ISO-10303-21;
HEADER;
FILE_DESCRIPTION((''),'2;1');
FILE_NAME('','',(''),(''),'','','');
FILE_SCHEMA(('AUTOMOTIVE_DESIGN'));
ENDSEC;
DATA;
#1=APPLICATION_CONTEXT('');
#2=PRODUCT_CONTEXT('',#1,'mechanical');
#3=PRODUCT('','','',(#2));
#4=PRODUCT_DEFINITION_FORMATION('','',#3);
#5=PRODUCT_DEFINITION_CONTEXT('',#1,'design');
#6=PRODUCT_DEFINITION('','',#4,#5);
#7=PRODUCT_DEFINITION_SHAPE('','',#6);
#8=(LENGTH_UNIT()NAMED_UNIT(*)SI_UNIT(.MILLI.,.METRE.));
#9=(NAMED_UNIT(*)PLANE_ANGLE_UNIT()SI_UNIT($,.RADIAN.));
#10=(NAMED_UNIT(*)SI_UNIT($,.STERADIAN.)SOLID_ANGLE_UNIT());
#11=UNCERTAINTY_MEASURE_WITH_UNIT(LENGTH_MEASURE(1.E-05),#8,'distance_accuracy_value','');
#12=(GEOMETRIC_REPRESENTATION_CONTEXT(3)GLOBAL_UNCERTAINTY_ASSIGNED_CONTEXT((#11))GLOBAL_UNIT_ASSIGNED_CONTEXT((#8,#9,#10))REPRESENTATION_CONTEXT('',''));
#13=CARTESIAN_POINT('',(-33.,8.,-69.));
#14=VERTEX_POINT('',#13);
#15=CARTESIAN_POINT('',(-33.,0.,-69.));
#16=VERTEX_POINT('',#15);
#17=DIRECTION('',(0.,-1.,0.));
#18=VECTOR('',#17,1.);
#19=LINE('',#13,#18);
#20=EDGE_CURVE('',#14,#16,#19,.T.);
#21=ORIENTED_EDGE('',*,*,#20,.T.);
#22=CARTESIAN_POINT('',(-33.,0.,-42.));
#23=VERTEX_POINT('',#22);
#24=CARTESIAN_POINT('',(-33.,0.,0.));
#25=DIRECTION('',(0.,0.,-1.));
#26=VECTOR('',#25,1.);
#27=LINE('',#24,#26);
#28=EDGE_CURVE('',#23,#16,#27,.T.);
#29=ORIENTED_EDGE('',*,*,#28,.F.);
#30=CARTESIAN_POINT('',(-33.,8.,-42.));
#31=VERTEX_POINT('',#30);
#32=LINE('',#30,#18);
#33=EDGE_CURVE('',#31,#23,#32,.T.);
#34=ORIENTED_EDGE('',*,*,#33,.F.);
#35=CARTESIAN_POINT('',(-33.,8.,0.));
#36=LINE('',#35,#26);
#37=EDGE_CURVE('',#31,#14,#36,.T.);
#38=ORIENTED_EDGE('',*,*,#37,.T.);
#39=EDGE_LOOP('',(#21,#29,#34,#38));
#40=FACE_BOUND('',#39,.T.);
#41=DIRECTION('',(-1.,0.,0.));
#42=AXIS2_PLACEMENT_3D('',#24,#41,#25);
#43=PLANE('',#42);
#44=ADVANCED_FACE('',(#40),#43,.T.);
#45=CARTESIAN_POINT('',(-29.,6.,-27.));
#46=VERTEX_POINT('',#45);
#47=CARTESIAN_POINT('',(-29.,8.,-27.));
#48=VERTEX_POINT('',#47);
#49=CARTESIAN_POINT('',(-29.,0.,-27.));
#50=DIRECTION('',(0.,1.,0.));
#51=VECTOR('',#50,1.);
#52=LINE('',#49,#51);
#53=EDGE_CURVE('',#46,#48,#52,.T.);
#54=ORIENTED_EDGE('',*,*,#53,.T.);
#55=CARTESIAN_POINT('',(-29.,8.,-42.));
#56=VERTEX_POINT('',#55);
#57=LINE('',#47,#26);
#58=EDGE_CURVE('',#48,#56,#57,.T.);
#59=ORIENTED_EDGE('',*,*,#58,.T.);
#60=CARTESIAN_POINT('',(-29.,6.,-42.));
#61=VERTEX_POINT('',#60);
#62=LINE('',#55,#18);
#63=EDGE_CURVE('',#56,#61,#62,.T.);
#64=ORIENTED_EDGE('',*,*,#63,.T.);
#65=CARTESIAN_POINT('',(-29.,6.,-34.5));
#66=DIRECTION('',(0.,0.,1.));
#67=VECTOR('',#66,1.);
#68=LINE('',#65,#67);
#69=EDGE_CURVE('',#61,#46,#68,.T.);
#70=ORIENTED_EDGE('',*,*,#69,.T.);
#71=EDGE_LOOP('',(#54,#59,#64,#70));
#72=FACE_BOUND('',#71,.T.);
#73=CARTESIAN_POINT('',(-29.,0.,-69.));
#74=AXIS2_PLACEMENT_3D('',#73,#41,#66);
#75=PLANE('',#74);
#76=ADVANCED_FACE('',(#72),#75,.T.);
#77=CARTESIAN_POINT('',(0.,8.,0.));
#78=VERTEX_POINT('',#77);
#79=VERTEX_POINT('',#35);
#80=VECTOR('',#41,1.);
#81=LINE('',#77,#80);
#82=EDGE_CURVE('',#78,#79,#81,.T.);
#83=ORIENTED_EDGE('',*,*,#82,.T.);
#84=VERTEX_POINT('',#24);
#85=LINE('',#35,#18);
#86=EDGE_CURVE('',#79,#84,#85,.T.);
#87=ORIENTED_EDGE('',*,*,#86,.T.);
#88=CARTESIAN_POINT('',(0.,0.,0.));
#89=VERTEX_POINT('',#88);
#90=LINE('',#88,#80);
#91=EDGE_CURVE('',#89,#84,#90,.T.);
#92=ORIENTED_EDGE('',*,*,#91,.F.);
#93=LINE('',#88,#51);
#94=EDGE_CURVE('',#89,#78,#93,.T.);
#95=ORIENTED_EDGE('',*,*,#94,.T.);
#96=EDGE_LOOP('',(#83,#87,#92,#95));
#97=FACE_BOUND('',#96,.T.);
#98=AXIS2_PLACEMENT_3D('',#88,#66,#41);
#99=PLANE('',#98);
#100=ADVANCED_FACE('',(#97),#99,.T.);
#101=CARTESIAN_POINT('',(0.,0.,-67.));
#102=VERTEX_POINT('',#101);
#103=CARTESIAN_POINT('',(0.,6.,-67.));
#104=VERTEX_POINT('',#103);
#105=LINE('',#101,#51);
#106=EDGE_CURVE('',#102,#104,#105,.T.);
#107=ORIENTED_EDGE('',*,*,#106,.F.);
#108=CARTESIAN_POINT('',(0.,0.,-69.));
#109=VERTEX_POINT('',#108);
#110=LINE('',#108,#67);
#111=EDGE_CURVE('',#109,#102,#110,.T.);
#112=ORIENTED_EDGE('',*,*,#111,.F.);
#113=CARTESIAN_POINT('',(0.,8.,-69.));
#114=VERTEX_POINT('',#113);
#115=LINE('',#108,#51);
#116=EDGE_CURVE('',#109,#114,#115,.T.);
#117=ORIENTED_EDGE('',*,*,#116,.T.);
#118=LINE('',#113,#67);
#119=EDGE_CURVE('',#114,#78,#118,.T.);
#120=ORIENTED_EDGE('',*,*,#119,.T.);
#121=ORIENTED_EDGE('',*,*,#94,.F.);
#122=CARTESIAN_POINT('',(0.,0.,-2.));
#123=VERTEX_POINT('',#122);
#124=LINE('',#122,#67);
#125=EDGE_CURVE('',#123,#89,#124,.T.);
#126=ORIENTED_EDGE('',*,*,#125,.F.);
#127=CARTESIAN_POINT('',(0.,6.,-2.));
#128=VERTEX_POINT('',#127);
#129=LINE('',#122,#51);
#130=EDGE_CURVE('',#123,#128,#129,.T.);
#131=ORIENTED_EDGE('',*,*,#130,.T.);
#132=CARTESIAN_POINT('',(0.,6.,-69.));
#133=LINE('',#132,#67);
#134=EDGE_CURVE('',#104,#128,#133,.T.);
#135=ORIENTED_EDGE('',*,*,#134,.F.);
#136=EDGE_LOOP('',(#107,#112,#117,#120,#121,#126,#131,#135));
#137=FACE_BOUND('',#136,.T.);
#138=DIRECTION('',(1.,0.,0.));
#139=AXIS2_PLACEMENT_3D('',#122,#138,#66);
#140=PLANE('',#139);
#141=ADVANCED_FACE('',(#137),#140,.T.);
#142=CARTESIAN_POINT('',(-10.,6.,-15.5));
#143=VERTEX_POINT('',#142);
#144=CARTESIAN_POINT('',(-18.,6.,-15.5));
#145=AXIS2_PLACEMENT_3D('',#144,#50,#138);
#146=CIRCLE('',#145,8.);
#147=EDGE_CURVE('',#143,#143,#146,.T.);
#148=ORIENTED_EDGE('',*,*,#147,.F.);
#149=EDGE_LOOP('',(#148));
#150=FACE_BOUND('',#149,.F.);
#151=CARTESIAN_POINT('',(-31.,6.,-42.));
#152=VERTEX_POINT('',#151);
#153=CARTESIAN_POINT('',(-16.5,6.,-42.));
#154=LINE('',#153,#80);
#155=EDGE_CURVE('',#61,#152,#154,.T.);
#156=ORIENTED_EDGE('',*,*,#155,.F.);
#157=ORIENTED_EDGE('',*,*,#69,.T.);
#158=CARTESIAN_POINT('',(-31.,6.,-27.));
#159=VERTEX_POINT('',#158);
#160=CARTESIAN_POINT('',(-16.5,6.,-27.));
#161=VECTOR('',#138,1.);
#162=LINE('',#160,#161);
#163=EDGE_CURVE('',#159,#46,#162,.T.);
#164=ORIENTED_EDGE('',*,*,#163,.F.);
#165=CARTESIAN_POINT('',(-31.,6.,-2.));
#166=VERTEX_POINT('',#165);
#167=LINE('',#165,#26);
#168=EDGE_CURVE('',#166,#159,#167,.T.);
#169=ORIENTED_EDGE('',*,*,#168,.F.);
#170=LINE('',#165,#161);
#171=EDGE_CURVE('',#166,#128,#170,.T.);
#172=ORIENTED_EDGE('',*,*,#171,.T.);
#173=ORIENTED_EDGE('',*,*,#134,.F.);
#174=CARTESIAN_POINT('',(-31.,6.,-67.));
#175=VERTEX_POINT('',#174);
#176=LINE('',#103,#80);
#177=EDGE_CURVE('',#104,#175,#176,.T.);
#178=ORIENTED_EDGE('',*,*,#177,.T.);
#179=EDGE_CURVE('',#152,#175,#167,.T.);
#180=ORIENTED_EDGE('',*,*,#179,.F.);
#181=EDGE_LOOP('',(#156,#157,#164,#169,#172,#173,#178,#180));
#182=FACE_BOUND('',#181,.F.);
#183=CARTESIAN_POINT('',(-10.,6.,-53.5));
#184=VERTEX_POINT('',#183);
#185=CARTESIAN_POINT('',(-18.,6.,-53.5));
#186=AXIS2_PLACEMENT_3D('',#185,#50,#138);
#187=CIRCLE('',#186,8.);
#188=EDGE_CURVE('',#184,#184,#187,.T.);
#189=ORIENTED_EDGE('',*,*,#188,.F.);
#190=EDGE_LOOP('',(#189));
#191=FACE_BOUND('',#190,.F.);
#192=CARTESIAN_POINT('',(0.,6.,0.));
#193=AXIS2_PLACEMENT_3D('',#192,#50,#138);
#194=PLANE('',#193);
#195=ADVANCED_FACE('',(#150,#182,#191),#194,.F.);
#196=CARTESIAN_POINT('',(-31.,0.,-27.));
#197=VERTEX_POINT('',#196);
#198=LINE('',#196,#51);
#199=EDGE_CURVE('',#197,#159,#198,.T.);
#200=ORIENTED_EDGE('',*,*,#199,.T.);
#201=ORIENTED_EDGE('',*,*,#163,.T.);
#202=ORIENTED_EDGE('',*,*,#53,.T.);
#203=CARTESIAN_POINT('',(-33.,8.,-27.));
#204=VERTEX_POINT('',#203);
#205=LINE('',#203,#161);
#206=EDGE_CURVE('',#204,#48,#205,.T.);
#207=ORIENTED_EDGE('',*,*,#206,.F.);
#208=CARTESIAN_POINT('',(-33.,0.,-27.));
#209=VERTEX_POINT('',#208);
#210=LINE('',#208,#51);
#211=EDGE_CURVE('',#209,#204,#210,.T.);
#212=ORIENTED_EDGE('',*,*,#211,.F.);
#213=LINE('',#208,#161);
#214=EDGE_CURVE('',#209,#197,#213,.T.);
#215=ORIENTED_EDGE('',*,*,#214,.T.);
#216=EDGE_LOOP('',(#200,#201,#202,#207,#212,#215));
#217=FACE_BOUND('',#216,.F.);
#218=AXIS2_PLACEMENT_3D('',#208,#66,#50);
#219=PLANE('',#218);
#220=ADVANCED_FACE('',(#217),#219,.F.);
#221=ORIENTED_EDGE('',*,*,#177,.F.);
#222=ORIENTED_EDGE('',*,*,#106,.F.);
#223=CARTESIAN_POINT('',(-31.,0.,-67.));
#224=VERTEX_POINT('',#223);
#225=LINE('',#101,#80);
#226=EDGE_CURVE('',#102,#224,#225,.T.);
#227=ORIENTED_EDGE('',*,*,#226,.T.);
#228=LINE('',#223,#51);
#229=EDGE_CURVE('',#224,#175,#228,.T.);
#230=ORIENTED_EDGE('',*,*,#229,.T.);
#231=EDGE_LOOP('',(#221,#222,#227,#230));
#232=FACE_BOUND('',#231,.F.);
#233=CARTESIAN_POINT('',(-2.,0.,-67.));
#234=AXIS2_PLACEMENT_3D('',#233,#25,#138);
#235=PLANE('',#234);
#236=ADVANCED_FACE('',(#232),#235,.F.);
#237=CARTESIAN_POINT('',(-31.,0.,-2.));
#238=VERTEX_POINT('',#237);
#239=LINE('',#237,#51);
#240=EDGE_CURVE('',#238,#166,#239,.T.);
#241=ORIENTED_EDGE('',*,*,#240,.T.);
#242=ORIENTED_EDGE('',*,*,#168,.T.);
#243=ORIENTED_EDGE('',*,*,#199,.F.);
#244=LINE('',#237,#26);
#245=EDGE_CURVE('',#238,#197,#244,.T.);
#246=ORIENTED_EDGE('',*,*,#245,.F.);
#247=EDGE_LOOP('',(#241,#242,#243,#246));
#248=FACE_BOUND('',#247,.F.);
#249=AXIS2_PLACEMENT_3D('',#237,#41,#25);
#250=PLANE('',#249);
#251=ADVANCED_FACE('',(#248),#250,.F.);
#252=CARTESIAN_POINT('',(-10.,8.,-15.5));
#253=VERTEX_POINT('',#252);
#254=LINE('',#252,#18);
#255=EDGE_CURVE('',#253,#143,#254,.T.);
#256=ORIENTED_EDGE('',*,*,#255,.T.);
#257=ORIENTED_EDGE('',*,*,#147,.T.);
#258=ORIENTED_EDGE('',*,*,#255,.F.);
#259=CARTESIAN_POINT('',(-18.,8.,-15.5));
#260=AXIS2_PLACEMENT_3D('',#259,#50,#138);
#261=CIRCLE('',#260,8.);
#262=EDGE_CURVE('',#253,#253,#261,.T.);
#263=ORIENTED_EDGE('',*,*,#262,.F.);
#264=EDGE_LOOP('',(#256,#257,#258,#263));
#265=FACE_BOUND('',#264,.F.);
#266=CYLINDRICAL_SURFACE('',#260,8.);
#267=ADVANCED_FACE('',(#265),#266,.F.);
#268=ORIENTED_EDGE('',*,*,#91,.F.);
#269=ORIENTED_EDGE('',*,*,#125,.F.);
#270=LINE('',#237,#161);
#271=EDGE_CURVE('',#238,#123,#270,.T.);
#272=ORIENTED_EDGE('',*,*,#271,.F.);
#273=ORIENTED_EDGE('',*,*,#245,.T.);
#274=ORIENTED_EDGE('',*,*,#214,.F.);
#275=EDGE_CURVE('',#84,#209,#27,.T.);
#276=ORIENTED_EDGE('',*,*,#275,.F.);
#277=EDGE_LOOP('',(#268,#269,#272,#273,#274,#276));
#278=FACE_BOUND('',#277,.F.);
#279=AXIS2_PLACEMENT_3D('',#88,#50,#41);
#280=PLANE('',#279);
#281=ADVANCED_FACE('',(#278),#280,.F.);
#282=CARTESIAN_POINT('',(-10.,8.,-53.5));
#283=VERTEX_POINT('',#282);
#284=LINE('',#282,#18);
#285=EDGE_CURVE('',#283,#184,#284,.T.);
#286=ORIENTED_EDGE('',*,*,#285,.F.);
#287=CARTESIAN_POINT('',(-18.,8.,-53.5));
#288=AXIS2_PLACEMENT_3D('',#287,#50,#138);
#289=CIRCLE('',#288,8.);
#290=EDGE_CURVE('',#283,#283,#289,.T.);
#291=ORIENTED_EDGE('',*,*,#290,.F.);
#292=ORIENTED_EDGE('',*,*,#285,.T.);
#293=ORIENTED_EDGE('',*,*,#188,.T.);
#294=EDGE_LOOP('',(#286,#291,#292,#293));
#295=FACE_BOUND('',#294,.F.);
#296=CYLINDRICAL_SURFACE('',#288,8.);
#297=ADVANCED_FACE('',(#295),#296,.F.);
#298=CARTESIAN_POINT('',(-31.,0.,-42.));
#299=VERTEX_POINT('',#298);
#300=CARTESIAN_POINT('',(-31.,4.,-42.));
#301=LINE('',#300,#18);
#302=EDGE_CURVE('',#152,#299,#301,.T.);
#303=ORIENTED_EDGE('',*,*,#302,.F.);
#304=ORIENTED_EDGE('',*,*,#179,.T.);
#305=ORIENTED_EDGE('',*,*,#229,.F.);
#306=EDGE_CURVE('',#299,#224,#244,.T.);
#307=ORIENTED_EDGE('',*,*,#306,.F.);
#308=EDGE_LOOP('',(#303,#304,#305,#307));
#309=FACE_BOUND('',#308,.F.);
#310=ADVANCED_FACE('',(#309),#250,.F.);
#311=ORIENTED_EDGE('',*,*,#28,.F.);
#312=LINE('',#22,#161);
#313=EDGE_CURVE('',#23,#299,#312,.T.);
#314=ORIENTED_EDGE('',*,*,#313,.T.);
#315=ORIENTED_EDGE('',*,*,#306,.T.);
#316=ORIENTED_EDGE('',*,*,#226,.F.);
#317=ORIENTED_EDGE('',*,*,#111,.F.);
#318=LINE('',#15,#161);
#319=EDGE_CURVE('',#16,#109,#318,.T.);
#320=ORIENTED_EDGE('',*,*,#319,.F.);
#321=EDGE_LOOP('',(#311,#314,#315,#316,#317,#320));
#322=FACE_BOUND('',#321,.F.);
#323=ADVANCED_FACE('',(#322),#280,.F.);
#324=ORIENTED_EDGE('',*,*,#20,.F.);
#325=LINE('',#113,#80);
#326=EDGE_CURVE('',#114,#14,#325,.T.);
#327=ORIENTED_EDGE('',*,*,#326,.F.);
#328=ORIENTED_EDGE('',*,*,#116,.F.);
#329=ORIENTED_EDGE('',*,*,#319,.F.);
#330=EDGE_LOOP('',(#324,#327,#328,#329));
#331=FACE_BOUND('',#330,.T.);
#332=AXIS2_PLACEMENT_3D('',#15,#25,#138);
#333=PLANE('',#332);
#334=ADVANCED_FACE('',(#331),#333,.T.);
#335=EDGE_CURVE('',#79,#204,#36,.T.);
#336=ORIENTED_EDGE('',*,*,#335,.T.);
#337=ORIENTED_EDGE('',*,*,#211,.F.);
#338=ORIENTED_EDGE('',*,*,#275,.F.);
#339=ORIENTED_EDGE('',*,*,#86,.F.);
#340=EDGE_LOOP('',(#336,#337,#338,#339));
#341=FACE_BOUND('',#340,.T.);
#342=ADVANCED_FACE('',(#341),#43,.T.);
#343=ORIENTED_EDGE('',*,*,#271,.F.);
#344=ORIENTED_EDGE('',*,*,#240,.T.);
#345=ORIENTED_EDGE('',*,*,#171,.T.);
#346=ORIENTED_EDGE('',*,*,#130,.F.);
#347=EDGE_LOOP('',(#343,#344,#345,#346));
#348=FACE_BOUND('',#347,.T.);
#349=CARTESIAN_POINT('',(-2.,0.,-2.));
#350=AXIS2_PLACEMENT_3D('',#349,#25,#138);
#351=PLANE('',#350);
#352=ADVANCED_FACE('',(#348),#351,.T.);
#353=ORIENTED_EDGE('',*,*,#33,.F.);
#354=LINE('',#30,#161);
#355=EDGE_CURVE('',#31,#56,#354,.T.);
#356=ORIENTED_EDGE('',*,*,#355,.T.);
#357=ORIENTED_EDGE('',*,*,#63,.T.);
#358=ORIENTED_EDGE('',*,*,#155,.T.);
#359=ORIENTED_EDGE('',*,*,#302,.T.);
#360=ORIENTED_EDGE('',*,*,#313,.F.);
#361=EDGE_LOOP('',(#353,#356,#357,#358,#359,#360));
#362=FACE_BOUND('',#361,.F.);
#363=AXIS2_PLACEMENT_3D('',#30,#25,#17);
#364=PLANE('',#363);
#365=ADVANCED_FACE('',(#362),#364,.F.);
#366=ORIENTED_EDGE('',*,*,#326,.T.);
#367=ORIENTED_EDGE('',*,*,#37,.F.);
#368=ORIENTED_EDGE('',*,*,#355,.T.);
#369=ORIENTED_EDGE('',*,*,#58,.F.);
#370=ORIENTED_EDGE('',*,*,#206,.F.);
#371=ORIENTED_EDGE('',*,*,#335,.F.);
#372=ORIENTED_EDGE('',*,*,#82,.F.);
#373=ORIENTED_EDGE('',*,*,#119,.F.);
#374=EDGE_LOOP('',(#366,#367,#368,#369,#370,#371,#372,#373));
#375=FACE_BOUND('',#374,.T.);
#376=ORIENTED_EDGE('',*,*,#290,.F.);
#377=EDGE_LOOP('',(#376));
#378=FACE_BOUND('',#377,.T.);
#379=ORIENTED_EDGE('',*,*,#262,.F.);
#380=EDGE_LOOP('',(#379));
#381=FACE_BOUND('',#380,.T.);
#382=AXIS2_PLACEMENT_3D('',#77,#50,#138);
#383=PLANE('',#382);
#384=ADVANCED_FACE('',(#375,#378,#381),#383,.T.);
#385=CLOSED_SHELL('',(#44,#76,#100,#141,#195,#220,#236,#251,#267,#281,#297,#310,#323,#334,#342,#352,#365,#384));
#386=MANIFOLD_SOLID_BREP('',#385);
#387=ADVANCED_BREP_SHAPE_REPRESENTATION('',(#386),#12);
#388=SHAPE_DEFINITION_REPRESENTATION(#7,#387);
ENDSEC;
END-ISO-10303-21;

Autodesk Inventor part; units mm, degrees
ref_plane "YZ Plane" through (0, 0, 0) normal (1, 0, 0) x (0, 1, 0)
ref_plane "XZ Plane" through (0, 0, 0) normal (0, 1, 0) x (-1, 0, 0)
ref_plane "XY Plane" through (0, 0, 0) normal (0, 0, 1) x (1, 0, 0)
sketch "Sketch1" plane through (0, 0, 0) normal (0, 1, 0) x (-1, 0, 0)
  line L0 (0, 0) -> (33, 0)
  line L1 (33, 0) -> (33, -69)
  line L2 (33, -69) -> (0, -69)
  line L3 (2, -2) -> (31, -2)
  line L4 (31, -2) -> (31, -67)
  line L5 (31, -67) -> (2, -67)
  line L6 (2, -2) -> (0, -2)
  line L7 (2, -67) -> (0, -67)
  line L8 (0, -69) -> (0, -67)
  line L9 (0, -2) -> (0, 0)
  dimension "d0" = 2
  dimension "d1" = 2
  dimension "d3" = 2
  dimension "d4" = 33
  dimension "d5" = 69
  dimension "d7" = 0
extrude "Extrusion1" add sketch "Sketch1" along normal blind 6
sketch "Sketch2" plane through (0, 6, 0) normal (0, 1, 0) x (1, 0, 0)
  line L0 (0, 0) -> (0, 2) projected
  line L1 (0, 69) -> (-33, 69) projected
  line L2 (0, 0) -> (-33, 0)
  line L3 (-33, 0) -> (-33, 69)
  line L4 (-33, 69) -> (0, 69)
  line L5 (0, 69) -> (0, 0)
extrude "Extrusion2" add sketch "Sketch2" along normal blind 2
sketch "Sketch3" plane through (0, 8, 0) normal (0, 1, 0) x (1, 0, 0)
  circle A0 centre (-18, 15.5) radius 8
  circle A1 centre (-18, 53.5) radius 8
  line L0 (-33, 69) -> (-33, 0) construction
  line L1 (-33, 34.5) -> (0, 34.5) construction
  line L2 (0, 2) -> (0, 67) construction
  line L3 (-33, 0) -> (0, 0) construction
  dimension "d12" = 16
  dimension "d13" = 16
  dimension "d14" = 34.5
  dimension "d15" = 19
  dimension "d16" = 19
  dimension "d17" = 15
  dimension "d18" = 15
extrude "Extrusion3" cut sketch "Sketch3" against normal blind 2
sketch "Sketch4" plane through (-33, 0, -69) normal (-1, 0, 0) x (0, 0, 1)
  line L0 (67, 0) -> (2, 0) projected
  line L1 (27, 0) -> (42, 0)
  line L2 (42, 0) -> (42, 8)
  line L3 (42, 8) -> (27, 8)
  line L4 (27, 8) -> (27, 0)
  line L5 (0, 0) -> (0, 8) projected
  point P0 (69, 0)
  dimension "d21" = 15
  dimension "d22" = 27
  dimension "d23" = 8
extrude "Extrusion4" cut sketch "Sketch4" against normal blind 4
properties part number "top"
